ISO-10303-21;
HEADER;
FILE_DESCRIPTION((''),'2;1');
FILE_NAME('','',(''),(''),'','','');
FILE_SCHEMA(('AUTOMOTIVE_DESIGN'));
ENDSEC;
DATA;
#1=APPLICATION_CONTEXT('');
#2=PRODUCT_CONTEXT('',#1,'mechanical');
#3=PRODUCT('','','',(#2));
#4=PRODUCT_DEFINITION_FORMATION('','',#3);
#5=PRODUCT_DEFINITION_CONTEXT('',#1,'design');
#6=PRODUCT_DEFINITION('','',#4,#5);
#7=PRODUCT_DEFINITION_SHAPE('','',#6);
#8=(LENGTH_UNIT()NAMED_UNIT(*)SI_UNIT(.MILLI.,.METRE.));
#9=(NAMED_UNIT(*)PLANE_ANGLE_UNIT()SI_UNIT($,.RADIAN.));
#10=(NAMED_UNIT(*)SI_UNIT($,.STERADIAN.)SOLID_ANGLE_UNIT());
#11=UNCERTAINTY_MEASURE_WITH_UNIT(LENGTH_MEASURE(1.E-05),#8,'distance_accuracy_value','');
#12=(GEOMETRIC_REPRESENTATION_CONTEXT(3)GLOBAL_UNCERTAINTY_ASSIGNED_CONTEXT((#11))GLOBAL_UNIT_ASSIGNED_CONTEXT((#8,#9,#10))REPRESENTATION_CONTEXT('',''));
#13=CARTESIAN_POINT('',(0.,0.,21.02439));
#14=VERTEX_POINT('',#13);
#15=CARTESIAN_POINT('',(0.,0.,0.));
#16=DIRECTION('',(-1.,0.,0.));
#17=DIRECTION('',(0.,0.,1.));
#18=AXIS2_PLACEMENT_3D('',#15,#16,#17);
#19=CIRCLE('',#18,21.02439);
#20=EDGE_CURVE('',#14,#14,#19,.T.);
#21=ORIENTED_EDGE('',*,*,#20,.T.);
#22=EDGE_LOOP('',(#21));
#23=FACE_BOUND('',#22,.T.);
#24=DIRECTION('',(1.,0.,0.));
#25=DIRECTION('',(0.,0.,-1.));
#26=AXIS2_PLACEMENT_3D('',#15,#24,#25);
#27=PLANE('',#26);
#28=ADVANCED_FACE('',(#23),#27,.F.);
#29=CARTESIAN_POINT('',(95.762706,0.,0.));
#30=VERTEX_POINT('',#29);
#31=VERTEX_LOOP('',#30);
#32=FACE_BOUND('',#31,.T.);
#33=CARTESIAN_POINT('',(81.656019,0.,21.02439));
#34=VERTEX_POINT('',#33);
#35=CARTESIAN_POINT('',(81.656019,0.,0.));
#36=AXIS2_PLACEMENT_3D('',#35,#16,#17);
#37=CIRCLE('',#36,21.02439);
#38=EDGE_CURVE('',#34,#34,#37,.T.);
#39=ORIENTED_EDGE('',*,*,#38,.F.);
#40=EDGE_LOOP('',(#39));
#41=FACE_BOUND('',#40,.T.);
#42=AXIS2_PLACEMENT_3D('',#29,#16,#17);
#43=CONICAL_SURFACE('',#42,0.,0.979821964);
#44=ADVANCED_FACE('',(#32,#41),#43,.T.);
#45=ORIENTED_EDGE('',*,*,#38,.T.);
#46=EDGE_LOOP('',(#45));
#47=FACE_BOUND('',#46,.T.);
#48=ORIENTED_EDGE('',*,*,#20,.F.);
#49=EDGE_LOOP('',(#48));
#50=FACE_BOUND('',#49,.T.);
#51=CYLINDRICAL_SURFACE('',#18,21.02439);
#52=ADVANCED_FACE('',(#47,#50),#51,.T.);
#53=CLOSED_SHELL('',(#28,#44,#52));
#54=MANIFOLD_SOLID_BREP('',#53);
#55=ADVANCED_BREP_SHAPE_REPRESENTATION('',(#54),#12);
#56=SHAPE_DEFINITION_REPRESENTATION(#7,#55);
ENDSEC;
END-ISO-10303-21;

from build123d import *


with BuildPart() as part:
    # Sketch1 → Revolve1 (revolve)
    with BuildSketch(Plane(origin=(0, 0, 0), x_dir=(1, 0, 0), z_dir=(0, 1, 0)), mode=Mode.PRIVATE) as revolve1_sk:
        Polygon((0, 0), (0, 21.024390212), (81.656018759, 21.024390212), (95.762706385, 0), align=None)
    revolve(revolve1_sk.sketch.rotate(Axis((0, 0, 0), (1, 0, 0)), 180), axis=Axis((0, 0, 0), (1, 0, 0)))


solid = part.part
